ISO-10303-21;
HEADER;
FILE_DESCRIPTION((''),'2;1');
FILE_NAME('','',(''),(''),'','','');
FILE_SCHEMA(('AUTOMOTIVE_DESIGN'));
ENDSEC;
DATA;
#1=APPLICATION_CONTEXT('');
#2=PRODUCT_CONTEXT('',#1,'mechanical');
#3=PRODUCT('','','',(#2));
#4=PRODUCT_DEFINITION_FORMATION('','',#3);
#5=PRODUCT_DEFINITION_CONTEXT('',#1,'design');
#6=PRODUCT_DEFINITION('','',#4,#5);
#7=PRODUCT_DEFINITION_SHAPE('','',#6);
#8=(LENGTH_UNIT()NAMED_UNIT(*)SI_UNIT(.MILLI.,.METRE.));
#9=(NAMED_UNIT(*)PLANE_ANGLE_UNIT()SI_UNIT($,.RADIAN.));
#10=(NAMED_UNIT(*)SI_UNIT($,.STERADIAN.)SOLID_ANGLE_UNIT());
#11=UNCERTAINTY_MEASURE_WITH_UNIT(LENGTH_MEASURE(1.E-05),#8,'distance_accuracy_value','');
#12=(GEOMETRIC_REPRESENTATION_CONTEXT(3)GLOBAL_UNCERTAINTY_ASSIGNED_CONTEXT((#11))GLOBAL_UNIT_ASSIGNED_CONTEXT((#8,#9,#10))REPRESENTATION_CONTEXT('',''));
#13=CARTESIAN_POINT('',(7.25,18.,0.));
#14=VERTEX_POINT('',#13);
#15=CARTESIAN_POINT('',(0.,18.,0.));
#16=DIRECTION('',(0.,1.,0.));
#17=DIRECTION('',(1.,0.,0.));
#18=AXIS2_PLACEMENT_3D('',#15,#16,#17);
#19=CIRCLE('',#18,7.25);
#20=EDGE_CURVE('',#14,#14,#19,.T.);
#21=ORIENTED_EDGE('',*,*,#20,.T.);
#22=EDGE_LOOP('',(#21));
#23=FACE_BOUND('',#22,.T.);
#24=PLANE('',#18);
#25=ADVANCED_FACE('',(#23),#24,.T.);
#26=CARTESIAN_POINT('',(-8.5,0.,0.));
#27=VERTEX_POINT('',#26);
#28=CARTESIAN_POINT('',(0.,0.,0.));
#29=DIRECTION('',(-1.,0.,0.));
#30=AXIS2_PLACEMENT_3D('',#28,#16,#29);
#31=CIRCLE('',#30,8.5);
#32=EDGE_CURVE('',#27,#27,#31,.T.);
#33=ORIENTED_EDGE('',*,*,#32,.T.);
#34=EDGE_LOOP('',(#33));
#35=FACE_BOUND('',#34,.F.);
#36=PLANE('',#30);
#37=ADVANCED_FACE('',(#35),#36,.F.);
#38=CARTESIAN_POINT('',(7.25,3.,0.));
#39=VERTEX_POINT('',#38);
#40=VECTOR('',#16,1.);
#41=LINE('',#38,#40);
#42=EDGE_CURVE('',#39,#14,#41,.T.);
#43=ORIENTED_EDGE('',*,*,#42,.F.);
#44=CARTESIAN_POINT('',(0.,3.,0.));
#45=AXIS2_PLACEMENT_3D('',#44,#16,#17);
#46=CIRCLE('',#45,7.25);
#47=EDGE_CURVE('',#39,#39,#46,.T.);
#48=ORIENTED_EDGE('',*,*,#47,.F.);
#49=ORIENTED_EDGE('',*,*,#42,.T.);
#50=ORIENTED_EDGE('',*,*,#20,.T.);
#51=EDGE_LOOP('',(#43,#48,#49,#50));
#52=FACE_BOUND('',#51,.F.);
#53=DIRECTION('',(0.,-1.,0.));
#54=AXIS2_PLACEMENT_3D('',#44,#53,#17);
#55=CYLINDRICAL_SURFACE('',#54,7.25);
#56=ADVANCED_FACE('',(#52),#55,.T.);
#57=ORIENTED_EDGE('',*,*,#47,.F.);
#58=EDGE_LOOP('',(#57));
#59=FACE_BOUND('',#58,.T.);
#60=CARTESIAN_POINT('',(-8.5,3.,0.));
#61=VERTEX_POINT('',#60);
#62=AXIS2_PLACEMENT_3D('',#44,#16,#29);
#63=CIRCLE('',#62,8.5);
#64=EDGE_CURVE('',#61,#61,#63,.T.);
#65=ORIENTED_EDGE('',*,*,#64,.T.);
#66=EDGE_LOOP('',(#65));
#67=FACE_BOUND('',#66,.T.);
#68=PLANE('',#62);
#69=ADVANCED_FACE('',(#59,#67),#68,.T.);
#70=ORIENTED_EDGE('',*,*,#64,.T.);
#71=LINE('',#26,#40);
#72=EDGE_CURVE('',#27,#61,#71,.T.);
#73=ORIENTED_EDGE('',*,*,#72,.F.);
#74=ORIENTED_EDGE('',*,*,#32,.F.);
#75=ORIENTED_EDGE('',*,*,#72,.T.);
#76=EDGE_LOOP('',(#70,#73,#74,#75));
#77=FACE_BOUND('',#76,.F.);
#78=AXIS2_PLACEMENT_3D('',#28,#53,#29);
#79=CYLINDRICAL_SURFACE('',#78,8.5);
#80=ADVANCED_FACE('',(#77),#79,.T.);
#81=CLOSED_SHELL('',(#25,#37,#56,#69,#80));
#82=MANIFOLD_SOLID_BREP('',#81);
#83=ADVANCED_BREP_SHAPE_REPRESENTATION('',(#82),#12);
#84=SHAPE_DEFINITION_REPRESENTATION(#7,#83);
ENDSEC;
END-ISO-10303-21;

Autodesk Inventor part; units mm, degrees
ref_plane "YZ Plane" through (0, 0, 0) normal (1, 0, 0) x (0, 1, 0)
ref_plane "XZ Plane" through (0, 0, 0) normal (0, 1, 0) x (-1, 0, 0)
ref_plane "XY Plane" through (0, 0, 0) normal (0, 0, 1) x (1, 0, 0)
sketch "Sketch1" plane through (0, 0, 0) normal (0, 1, 0) x (-1, 0, 0)
  circle A0 centre (0, 0) radius 8.5
  dimension "d0" = 17
extrude "Extrusion1" add sketch "Sketch1" along normal blind 3
sketch "Sketch2" plane through (0, 3, 0) normal (0, 1, 0) x (1, 0, 0)
  circle A0 centre (0, 0) radius 7.25
  dimension "d4" = 14.5
extrude "Extrusion2" add sketch "Sketch2" along normal blind 15
equation "\"BendRadius\" = Thickness"
equation "\"BendReliefWidth\" = Thickness"
equation "\"BendReliefDepth\" = 0.5 * Thickness"
equation "\"CornerReliefSize\" = 4 * Thickness"
equation "\"MinimumRemnant\" = 2 * Thickness"
equation "\"TransitionRadius\" = BendRadius"
equation "\"JacobiRadiusSize\" = BendRadius"
equation "\"GapSize\" = Thickness"
equation "\"Thickness\" = 0.5"
properties part number "Tornillo Manivela"
